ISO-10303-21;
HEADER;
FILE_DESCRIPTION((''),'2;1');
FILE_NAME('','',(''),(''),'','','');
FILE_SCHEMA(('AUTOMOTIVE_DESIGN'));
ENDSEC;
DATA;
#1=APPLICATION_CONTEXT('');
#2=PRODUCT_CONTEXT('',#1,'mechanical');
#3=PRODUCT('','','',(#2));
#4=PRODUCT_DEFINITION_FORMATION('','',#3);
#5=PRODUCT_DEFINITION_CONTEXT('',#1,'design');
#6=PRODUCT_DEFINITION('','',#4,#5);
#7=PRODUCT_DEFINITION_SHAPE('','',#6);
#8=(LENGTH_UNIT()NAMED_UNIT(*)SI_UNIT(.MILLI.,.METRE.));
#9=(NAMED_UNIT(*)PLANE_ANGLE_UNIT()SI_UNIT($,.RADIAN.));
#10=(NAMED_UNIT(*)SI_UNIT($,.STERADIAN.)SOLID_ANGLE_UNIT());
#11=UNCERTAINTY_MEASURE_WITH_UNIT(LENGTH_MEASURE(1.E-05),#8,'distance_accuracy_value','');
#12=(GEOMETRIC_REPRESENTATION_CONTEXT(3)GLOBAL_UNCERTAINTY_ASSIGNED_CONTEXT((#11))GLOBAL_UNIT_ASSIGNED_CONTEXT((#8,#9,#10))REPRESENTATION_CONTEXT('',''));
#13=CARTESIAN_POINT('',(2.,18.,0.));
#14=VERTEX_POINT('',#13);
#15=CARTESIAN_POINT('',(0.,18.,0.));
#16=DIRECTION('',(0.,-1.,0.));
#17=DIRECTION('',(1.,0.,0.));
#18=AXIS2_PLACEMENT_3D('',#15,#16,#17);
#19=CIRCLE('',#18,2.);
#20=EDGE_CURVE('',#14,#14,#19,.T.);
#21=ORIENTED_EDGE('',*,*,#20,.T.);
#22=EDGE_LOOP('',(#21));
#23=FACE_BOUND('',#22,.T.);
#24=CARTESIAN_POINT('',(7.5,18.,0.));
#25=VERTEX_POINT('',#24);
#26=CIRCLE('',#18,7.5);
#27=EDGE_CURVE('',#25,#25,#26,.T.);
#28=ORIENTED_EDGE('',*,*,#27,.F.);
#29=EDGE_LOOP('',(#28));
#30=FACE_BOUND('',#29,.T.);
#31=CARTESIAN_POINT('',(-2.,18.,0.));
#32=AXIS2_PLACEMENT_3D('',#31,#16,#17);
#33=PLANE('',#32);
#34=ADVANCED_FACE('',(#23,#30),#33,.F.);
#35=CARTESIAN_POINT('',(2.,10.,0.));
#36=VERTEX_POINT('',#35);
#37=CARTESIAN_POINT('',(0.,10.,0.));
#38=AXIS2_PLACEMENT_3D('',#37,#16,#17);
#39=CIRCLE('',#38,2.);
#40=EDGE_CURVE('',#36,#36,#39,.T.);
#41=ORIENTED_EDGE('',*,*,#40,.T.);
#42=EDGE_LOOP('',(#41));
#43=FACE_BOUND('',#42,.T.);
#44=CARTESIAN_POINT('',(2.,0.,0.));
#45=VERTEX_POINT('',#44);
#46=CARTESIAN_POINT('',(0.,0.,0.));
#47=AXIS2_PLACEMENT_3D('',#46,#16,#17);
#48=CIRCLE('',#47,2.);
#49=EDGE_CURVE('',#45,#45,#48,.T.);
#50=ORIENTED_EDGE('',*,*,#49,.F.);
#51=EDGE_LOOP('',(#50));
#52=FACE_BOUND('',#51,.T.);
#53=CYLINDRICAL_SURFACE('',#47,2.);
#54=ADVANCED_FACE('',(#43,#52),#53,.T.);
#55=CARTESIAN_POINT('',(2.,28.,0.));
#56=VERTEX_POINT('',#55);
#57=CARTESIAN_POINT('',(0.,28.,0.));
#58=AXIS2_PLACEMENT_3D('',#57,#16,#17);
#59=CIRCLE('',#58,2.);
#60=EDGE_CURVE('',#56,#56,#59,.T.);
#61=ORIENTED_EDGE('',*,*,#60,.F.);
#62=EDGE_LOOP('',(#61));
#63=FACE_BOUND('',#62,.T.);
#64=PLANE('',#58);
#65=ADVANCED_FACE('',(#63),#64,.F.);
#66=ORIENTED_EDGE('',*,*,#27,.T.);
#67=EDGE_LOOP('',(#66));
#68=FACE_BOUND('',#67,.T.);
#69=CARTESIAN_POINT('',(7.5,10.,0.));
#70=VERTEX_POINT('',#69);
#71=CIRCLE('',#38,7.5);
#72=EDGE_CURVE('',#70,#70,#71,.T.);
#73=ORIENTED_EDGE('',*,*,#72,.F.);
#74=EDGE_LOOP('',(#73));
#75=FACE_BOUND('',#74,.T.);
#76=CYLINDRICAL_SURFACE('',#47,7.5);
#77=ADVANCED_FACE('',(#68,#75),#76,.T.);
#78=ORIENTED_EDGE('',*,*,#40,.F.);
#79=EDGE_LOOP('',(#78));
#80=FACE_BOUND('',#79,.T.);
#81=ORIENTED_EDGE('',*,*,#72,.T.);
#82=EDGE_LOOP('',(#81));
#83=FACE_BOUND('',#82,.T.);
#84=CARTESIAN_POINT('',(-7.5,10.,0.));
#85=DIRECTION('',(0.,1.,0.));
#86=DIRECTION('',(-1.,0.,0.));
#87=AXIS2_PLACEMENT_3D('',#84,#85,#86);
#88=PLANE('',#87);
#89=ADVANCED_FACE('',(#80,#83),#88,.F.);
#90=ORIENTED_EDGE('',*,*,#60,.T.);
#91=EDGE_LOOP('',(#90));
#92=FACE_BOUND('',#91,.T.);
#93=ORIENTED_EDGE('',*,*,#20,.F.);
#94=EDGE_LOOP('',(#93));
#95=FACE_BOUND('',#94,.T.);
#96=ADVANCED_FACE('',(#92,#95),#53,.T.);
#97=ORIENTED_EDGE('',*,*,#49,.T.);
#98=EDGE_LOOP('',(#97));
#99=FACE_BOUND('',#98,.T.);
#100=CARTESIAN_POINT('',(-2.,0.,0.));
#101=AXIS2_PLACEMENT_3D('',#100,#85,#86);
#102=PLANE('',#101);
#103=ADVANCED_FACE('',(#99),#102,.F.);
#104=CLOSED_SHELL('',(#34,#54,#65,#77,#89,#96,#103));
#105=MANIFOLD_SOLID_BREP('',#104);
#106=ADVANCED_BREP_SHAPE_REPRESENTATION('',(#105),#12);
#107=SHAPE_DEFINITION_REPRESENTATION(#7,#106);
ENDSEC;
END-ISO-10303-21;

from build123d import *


with BuildPart() as part:
    # Sketch1 → Revolve1 (revolve)
    with BuildSketch(Plane.XY, mode=Mode.PRIVATE) as revolve1_sk:
        Polygon((0, 28), (-2, 28), (-2, 18), (-7.5, 18), (-7.5, 10), (-2, 10), (-2, 0), (0, 0), align=None)
    revolve(revolve1_sk.sketch.rotate(Axis((0, 0, 0), (0, 1, 0)), 180), axis=Axis((0, 0, 0), (0, 1, 0)))


solid = part.part
